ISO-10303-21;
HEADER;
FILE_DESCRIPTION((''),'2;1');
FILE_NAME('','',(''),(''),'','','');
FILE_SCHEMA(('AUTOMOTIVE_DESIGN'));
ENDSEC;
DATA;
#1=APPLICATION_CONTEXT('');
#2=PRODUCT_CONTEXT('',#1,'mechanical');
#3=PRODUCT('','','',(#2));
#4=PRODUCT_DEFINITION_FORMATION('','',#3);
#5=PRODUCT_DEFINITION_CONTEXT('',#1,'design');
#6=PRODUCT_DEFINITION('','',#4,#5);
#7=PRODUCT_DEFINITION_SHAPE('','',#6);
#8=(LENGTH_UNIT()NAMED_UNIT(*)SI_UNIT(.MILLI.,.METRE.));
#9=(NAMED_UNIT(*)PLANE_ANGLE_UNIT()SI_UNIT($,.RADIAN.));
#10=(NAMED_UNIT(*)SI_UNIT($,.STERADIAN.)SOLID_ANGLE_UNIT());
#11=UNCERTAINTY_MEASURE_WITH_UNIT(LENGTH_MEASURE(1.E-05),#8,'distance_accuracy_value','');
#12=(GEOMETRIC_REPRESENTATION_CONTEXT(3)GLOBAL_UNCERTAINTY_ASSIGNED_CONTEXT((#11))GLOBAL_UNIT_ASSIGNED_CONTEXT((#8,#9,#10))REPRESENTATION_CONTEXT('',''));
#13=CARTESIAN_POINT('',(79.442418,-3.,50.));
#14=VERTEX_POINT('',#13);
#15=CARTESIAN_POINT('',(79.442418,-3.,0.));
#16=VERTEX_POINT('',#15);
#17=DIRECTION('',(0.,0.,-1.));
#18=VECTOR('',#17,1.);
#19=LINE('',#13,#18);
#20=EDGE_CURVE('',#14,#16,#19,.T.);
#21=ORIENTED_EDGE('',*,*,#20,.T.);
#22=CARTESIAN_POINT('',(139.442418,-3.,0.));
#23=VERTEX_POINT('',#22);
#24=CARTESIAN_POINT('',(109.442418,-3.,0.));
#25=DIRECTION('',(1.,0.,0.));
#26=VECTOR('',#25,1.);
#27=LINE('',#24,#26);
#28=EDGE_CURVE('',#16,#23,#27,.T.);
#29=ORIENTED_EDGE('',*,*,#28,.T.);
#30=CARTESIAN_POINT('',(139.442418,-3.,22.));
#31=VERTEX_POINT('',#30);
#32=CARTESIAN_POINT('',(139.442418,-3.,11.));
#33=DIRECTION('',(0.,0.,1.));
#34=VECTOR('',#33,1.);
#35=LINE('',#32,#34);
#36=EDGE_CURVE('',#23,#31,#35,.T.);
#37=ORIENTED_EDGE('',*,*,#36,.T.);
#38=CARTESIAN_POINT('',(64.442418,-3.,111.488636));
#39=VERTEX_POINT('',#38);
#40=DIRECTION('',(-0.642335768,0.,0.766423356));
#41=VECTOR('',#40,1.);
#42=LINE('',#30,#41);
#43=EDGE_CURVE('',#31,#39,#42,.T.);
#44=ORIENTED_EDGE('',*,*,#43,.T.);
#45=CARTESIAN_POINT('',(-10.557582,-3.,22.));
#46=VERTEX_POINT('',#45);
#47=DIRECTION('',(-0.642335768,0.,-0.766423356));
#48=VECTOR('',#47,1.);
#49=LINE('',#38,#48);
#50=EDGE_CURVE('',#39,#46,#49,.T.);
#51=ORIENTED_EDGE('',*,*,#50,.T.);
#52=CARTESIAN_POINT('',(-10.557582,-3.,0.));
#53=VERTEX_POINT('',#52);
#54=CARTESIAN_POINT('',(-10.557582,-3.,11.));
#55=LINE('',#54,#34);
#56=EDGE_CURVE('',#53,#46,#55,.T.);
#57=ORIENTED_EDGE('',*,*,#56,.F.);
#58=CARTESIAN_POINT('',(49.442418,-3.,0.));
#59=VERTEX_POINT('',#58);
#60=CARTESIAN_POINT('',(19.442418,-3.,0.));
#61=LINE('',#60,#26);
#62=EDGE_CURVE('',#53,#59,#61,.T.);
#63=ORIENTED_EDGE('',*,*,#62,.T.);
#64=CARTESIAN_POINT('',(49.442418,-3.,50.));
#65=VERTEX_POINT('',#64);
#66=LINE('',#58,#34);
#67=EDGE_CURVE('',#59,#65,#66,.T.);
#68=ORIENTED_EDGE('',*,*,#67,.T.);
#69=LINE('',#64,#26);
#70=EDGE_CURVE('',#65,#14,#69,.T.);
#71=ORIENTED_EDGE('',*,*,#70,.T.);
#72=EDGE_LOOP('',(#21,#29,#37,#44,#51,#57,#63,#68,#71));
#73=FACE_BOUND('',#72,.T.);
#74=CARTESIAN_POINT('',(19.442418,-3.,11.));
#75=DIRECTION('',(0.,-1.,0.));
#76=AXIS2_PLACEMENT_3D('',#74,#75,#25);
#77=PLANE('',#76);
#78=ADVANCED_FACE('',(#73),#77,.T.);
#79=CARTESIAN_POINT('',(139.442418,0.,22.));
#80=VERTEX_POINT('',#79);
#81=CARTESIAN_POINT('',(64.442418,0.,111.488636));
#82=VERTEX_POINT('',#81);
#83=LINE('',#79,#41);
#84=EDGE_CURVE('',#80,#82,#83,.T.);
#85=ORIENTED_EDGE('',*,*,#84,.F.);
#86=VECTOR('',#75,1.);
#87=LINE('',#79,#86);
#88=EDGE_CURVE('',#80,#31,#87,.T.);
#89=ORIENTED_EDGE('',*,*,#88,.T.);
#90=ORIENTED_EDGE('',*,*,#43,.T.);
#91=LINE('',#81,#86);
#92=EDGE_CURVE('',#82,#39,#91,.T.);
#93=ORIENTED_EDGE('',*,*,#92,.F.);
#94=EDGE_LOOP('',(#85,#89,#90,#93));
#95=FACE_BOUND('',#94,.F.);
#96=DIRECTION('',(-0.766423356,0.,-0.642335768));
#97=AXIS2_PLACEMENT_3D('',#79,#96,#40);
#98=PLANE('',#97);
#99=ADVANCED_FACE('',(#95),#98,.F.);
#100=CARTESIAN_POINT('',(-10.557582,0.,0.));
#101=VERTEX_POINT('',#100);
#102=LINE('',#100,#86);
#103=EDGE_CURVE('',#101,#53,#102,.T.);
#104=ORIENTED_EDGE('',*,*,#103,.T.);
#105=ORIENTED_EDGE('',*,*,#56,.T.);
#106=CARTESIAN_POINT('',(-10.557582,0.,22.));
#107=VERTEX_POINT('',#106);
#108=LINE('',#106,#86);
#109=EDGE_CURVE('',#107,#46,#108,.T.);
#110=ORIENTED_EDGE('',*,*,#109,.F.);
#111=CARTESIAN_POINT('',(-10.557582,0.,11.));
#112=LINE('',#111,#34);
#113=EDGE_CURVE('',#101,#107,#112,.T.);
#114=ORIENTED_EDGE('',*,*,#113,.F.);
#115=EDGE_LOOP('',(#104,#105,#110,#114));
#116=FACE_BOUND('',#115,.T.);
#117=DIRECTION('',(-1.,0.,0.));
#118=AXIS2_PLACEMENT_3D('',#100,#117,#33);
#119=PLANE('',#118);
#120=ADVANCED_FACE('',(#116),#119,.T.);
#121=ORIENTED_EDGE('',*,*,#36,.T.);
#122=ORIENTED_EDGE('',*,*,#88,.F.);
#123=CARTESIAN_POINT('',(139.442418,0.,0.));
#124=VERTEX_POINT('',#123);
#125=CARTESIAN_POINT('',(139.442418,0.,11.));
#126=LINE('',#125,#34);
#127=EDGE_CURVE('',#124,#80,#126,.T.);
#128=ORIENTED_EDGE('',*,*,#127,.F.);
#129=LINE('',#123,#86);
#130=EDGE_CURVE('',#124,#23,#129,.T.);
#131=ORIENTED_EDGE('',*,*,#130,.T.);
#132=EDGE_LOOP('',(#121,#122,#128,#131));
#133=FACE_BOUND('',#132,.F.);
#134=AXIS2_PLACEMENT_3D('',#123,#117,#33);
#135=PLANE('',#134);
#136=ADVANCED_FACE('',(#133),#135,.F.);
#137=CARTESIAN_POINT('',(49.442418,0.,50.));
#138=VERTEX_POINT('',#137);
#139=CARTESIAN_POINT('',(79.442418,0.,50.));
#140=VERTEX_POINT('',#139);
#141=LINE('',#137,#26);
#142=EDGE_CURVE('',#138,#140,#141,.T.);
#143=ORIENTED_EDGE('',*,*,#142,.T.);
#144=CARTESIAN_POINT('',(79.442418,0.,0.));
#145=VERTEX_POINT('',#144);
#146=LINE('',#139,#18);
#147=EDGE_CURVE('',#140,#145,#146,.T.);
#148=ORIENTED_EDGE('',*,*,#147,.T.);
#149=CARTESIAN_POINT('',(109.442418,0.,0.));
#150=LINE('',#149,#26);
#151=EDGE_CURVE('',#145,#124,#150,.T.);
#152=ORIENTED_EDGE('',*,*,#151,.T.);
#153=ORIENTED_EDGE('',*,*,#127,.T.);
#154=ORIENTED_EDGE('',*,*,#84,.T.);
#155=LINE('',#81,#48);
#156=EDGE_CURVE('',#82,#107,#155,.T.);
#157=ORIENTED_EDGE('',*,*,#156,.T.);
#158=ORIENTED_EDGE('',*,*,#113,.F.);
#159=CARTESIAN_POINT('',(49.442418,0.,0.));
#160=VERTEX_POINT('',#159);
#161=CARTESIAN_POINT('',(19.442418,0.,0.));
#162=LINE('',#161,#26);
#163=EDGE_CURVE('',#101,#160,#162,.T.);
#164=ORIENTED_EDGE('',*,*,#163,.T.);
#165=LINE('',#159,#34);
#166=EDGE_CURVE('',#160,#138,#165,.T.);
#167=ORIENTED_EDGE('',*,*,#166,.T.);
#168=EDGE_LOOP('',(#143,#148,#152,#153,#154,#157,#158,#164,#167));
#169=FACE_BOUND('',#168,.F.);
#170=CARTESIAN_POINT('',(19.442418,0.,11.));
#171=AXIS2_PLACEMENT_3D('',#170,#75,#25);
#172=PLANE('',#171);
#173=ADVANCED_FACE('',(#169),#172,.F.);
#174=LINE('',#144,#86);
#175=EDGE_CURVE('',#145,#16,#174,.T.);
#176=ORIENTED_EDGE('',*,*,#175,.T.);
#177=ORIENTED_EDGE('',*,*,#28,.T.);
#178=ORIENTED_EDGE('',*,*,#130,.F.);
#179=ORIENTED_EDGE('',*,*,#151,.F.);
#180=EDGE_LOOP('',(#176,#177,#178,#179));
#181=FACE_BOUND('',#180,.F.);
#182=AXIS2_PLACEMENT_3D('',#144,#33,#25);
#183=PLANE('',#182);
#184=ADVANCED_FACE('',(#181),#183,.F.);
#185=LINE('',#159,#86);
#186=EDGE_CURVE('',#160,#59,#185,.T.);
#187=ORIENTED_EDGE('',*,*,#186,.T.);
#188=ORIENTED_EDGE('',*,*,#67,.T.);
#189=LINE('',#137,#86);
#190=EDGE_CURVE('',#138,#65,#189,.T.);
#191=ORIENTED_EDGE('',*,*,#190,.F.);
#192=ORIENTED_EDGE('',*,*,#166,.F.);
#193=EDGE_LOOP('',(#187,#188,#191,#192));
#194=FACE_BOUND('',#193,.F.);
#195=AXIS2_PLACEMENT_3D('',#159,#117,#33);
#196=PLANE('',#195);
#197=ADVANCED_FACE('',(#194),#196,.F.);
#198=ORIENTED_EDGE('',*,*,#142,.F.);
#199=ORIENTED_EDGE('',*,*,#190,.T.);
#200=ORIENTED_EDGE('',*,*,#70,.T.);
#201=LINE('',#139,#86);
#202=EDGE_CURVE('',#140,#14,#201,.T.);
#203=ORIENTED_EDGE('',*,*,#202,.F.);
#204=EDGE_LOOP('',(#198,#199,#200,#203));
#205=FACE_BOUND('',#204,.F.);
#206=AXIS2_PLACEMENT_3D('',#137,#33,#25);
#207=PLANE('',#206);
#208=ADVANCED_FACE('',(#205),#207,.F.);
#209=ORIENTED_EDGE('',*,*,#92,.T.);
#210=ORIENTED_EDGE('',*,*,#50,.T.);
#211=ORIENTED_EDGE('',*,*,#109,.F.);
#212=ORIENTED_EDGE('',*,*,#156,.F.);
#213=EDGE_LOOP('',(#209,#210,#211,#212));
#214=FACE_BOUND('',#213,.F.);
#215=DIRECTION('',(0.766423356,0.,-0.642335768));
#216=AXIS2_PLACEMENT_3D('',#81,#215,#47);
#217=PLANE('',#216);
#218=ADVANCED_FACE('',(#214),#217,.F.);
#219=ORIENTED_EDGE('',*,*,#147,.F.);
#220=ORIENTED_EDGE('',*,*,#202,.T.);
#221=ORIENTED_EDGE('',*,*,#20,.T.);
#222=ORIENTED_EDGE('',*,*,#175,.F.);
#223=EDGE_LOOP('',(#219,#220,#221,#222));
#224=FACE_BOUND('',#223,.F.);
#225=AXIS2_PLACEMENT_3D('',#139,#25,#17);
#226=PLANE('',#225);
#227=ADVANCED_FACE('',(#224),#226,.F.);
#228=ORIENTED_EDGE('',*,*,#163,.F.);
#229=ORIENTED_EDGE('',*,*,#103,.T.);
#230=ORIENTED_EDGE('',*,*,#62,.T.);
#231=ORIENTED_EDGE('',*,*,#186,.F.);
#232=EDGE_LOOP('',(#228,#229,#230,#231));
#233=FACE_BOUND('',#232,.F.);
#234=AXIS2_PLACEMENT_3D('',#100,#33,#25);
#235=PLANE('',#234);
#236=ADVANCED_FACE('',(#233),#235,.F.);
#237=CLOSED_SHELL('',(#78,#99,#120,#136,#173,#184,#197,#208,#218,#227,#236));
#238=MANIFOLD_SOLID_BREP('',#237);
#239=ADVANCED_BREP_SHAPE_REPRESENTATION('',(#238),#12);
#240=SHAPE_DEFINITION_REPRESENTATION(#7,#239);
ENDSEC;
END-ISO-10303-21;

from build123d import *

# Parameters (mm, degrees)
F0_W     = 60
F0_H     = 22
F1_DEPTH = 3


with BuildPart() as f1:
    # F0 (on Front) → F1 (new body)
    with BuildSketch(Plane.XZ):
        with Locations((19.442418, 11)):
            Rectangle(F0_W, F0_H)
        Polygon((64.442418, 111.488636), (-10.557582, 22), (49.442418, 22), (49.442418, 50), (79.442418, 50), (79.442418, 22), (139.442418, 22), align=None)
        with Locations((109.442418, 11)):
            Rectangle(F0_W, F0_H)
    extrude(amount=F1_DEPTH)


solid = f1.part
